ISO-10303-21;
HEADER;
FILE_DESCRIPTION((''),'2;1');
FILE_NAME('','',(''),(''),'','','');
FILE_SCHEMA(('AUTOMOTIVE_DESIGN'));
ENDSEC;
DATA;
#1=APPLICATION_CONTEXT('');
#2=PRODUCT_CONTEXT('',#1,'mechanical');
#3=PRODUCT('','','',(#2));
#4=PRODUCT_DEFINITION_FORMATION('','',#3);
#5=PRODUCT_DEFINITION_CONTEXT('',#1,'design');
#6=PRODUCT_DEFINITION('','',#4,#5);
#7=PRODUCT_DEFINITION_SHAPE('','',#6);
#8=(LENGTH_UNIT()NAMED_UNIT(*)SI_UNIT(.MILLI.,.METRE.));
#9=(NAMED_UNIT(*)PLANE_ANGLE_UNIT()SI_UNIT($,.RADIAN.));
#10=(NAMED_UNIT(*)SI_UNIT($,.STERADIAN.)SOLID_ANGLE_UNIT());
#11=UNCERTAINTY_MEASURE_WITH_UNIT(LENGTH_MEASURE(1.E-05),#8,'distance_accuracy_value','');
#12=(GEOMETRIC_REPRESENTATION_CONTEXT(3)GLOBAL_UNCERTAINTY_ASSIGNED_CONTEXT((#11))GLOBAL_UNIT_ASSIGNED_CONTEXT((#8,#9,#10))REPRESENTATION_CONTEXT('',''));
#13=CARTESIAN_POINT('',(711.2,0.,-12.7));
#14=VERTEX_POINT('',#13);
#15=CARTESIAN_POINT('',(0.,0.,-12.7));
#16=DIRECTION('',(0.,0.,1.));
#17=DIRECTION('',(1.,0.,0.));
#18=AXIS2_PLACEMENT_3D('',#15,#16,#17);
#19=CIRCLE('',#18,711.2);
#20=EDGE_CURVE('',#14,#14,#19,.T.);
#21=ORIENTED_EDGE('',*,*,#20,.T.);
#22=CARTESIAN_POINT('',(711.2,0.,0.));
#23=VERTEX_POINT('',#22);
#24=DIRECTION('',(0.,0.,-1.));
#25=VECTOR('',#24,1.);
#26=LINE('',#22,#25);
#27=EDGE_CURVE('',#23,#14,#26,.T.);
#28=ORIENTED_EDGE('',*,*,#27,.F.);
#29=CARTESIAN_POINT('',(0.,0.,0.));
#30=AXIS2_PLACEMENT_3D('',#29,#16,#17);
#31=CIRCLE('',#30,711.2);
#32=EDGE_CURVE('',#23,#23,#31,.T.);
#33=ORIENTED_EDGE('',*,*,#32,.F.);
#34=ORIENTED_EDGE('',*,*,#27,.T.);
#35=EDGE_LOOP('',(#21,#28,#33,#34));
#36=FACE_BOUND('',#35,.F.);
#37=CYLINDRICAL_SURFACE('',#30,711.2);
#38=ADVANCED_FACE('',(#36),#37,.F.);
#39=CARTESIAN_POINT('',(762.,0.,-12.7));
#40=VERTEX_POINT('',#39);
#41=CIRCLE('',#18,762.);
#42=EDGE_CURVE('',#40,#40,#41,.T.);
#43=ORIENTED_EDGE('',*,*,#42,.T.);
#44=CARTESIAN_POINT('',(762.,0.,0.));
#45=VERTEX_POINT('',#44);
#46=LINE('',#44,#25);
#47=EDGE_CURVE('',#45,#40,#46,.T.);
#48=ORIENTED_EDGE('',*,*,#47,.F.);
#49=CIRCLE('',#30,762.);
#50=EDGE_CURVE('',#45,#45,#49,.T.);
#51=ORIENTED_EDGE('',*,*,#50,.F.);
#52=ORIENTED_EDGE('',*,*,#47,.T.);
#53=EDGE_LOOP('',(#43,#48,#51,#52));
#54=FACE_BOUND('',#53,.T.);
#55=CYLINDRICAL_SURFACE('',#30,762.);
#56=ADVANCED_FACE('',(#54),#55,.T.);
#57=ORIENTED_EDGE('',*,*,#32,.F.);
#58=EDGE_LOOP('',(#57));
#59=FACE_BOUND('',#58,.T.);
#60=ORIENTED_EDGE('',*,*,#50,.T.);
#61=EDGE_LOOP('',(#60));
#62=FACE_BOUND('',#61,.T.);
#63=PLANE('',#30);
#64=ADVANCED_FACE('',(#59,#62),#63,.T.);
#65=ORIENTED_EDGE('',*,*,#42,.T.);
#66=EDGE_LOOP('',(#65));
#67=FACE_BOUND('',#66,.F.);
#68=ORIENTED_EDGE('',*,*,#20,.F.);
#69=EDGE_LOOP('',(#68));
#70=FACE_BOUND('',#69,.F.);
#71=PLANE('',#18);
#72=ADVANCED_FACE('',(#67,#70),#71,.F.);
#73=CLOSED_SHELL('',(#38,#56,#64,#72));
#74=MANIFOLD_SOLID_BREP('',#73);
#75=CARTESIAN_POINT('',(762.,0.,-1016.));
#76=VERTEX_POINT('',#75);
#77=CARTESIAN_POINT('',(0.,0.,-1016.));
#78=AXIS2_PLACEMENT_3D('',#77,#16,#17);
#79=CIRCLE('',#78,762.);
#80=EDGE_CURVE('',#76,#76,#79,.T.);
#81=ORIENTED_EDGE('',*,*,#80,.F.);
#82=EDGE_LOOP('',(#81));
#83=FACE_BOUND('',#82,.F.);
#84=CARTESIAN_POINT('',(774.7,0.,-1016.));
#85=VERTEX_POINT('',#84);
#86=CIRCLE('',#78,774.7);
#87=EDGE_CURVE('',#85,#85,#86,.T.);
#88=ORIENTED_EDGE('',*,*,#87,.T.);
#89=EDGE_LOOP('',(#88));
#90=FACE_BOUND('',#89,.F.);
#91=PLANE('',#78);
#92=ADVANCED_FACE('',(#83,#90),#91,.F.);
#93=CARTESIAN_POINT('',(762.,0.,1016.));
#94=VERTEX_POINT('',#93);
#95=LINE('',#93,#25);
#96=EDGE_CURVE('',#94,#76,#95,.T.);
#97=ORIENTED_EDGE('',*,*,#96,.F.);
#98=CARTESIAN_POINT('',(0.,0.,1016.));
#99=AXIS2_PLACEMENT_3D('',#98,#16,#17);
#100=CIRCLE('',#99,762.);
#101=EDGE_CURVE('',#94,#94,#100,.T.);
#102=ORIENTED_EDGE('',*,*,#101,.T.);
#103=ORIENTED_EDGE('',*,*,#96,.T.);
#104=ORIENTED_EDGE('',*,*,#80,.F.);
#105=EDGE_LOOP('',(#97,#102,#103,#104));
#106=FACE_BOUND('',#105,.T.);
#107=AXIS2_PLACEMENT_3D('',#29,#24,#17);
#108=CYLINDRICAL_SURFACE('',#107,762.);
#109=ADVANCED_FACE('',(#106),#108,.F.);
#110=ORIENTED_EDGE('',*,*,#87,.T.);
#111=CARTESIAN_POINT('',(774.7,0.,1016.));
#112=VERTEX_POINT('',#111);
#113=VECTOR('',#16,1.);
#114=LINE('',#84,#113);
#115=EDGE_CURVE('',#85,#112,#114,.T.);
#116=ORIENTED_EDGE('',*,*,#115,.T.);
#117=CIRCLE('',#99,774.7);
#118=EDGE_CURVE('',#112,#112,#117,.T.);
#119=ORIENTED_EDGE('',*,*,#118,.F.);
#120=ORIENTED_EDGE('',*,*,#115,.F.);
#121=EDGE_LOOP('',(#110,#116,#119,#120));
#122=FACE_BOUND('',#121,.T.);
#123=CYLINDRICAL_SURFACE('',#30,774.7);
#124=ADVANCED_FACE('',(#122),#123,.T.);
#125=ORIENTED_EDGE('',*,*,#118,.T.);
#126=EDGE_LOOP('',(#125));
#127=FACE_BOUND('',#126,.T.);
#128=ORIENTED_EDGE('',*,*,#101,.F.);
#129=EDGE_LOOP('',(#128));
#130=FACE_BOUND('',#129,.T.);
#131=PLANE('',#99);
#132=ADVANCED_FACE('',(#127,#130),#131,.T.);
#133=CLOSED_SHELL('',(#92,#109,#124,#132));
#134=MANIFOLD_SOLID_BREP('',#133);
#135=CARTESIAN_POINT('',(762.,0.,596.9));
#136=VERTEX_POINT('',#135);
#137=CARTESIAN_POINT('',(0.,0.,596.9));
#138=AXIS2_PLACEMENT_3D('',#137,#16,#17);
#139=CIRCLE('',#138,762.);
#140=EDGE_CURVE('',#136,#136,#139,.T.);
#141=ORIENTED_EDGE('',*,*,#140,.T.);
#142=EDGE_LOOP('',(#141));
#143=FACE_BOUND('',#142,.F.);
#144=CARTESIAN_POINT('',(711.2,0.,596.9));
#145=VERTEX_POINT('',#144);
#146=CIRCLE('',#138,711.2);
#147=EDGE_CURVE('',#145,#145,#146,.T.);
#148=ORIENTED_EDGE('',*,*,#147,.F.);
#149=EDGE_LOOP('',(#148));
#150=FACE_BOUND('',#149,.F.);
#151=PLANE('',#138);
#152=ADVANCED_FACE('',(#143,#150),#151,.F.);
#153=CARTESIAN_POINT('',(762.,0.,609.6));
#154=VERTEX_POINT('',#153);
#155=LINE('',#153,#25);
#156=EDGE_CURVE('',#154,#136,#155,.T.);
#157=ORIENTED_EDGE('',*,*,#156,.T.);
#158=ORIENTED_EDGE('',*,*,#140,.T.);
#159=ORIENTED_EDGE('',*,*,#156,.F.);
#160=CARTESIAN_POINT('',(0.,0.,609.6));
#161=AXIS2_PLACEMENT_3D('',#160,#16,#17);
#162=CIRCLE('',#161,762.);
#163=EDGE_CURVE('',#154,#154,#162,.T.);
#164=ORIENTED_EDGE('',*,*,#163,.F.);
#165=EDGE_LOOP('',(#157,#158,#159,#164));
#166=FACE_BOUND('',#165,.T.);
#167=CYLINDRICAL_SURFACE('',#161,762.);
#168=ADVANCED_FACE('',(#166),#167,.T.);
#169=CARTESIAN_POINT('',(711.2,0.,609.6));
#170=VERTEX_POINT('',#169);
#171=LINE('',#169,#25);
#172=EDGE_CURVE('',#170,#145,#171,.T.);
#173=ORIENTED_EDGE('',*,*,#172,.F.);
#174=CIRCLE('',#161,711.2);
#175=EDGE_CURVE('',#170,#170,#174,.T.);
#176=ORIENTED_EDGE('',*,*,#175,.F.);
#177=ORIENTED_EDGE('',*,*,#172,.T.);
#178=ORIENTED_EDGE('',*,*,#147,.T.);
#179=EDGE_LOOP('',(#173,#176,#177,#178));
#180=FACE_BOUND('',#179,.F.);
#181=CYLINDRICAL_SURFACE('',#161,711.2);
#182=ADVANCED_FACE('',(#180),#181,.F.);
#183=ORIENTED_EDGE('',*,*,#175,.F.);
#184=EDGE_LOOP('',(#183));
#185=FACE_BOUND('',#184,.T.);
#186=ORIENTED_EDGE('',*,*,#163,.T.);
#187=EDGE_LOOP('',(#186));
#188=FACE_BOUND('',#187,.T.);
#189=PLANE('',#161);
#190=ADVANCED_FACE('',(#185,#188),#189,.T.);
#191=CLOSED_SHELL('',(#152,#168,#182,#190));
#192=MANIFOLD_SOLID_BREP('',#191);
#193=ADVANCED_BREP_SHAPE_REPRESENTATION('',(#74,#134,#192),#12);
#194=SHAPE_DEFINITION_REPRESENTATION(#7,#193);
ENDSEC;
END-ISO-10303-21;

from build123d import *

# Parameters (mm, degrees)
F0_R     = 762
F0_R_2   = 711.2
F1_DEPTH = 12.7
F0_R_3   = 774.7
F2_DEPTH = 1016
F4_R     = 762
F4_R_2   = 711.2
F5_DEPTH = 12.7


with BuildPart() as f1:
    # F0 (on Top) → F1 (new body)
    with BuildSketch(Plane.XY):
        Circle(F0_R)
        Circle(F0_R_2, mode=Mode.SUBTRACT)
    extrude(amount=-F1_DEPTH)


with BuildPart() as f2:
    # F0 (on Top) → F2 (new body, symmetric)
    with BuildSketch(Plane.XY):
        Circle(F0_R_3)
        Circle(F0_R, mode=Mode.SUBTRACT)
    extrude(amount=F2_DEPTH, both=True)


with BuildPart() as f5:
    # F4 (on offset) → F5 (new body)
    with BuildSketch(Plane.XY.offset(609.6)):
        Circle(F4_R)
        Circle(F4_R_2, mode=Mode.SUBTRACT)
    extrude(amount=-F5_DEPTH)


solid = Compound([f1.part, f2.part, f5.part])
